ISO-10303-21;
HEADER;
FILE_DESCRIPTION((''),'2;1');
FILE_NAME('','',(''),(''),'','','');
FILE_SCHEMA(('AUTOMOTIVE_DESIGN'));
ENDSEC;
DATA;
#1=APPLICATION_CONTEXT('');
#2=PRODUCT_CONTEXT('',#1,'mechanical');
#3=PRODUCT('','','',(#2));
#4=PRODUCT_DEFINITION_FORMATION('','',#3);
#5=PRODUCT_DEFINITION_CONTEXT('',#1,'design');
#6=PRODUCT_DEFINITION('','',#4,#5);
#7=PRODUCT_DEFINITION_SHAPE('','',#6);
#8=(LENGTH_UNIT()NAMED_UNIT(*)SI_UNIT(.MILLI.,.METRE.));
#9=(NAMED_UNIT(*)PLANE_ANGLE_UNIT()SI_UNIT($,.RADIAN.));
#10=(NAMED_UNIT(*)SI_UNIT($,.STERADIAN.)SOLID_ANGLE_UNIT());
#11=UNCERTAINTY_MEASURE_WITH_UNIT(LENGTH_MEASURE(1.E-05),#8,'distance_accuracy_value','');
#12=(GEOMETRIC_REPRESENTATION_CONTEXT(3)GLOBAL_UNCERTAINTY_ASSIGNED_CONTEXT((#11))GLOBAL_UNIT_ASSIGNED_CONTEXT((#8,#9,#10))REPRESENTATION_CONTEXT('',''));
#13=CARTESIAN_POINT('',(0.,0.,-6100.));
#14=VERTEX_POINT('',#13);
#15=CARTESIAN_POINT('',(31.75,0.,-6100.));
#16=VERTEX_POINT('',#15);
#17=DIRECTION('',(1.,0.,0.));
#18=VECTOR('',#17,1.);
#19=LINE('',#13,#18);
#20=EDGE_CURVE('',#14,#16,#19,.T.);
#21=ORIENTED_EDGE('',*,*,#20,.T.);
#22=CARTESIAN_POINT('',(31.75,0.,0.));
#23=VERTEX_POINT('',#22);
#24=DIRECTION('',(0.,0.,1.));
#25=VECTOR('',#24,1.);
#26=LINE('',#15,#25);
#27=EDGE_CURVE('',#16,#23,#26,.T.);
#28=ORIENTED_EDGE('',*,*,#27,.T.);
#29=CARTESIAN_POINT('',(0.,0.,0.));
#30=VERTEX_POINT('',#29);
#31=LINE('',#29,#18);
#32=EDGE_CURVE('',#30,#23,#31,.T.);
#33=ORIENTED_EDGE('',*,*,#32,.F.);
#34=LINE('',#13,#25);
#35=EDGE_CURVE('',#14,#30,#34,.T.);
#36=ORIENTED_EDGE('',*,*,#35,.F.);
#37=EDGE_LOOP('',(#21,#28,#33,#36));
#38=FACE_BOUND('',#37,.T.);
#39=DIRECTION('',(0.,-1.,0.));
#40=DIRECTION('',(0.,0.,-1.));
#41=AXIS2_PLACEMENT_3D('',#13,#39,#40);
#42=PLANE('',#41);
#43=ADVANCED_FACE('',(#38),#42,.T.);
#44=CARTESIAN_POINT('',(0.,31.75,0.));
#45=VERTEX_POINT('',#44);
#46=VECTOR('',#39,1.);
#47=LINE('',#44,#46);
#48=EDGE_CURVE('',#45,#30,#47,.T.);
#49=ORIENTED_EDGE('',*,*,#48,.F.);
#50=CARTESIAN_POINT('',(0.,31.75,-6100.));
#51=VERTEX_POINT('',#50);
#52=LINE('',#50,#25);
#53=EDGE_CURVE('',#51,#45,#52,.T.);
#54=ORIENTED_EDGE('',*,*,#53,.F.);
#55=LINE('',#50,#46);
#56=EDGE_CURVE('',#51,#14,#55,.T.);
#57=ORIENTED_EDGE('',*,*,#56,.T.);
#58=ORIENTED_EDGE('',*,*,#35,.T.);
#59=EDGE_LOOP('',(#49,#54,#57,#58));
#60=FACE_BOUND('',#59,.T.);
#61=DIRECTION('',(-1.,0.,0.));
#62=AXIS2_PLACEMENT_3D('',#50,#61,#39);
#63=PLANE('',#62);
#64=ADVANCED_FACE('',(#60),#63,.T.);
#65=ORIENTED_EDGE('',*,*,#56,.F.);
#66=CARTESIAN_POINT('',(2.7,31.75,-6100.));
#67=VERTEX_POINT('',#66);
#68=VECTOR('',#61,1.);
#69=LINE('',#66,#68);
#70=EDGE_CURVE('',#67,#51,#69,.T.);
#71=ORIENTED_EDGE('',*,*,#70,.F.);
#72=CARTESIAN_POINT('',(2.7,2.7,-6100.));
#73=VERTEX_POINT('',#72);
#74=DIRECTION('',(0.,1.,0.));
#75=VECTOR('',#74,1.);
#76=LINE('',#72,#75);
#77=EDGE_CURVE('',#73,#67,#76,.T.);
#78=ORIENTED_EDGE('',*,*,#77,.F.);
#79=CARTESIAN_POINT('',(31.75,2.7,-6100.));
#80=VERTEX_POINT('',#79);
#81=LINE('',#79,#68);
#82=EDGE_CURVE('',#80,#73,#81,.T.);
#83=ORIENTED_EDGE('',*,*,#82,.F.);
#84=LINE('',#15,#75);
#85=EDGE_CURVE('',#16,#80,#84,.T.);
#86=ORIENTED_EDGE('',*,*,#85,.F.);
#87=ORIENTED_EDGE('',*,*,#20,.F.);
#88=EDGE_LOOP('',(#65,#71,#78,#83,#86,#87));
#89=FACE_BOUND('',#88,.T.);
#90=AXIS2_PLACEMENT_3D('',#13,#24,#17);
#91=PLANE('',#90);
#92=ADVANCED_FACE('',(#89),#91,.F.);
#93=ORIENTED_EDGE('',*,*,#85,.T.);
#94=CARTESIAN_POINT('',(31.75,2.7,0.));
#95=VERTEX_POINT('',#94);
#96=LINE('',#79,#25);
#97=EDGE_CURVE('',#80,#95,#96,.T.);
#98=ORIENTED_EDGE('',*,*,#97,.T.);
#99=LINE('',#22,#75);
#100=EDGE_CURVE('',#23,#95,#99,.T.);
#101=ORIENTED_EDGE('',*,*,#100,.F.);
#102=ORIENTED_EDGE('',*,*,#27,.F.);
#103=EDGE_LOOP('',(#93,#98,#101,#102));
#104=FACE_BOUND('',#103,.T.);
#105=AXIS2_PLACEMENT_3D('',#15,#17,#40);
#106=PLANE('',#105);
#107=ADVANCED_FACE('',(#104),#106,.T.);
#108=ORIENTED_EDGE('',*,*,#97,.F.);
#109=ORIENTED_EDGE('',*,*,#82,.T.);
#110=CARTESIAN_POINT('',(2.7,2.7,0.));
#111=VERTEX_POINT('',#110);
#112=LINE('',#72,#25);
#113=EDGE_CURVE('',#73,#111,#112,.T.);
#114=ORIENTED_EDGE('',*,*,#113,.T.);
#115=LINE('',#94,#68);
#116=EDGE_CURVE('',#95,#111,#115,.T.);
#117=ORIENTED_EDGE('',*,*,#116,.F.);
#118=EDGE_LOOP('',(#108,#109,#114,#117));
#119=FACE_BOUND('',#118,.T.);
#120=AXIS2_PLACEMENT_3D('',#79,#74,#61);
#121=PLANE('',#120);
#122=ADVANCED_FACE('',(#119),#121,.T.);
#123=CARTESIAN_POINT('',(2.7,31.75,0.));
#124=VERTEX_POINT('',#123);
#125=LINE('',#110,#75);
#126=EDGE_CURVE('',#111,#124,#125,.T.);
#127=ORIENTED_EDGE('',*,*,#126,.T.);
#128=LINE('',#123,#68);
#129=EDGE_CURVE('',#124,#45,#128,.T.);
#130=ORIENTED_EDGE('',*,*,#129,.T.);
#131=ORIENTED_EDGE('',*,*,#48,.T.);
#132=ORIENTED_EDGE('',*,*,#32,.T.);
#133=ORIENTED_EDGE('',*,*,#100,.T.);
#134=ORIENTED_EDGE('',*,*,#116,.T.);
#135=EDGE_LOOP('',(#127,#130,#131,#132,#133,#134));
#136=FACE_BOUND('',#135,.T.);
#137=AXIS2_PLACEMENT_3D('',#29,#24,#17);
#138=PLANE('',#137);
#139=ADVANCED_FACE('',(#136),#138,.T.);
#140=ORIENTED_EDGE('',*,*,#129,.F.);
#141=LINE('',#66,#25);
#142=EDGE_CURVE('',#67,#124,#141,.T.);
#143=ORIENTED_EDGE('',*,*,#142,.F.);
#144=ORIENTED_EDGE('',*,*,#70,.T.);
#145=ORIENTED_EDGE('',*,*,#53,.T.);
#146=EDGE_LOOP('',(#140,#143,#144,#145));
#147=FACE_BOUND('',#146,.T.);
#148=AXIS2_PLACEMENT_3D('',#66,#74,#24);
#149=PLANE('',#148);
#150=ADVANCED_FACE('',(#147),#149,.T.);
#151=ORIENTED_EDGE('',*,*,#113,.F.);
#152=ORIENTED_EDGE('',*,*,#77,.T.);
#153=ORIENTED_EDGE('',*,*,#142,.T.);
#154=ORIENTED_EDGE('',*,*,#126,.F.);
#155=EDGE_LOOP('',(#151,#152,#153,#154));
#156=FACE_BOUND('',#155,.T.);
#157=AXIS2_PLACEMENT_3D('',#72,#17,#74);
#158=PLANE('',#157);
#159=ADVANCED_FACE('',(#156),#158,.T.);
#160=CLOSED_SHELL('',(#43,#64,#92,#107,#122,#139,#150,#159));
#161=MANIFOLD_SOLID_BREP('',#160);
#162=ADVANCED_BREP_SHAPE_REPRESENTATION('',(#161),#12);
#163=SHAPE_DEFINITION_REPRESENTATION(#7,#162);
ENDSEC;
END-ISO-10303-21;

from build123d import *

# Parameters (mm, degrees)
SALIENTE_EXTRUIR1_DEPTH = 6100


with BuildPart() as part:
    # Croquis1 → Saliente-Extruir1 (new body)
    with BuildSketch(Plane.XY):
        Polygon((0, 31.75), (0, 0), (31.75, 0), (31.75, 2.7), (2.7, 2.7), (2.7, 31.75), align=None)
    extrude(amount=-SALIENTE_EXTRUIR1_DEPTH)


solid = part.part
